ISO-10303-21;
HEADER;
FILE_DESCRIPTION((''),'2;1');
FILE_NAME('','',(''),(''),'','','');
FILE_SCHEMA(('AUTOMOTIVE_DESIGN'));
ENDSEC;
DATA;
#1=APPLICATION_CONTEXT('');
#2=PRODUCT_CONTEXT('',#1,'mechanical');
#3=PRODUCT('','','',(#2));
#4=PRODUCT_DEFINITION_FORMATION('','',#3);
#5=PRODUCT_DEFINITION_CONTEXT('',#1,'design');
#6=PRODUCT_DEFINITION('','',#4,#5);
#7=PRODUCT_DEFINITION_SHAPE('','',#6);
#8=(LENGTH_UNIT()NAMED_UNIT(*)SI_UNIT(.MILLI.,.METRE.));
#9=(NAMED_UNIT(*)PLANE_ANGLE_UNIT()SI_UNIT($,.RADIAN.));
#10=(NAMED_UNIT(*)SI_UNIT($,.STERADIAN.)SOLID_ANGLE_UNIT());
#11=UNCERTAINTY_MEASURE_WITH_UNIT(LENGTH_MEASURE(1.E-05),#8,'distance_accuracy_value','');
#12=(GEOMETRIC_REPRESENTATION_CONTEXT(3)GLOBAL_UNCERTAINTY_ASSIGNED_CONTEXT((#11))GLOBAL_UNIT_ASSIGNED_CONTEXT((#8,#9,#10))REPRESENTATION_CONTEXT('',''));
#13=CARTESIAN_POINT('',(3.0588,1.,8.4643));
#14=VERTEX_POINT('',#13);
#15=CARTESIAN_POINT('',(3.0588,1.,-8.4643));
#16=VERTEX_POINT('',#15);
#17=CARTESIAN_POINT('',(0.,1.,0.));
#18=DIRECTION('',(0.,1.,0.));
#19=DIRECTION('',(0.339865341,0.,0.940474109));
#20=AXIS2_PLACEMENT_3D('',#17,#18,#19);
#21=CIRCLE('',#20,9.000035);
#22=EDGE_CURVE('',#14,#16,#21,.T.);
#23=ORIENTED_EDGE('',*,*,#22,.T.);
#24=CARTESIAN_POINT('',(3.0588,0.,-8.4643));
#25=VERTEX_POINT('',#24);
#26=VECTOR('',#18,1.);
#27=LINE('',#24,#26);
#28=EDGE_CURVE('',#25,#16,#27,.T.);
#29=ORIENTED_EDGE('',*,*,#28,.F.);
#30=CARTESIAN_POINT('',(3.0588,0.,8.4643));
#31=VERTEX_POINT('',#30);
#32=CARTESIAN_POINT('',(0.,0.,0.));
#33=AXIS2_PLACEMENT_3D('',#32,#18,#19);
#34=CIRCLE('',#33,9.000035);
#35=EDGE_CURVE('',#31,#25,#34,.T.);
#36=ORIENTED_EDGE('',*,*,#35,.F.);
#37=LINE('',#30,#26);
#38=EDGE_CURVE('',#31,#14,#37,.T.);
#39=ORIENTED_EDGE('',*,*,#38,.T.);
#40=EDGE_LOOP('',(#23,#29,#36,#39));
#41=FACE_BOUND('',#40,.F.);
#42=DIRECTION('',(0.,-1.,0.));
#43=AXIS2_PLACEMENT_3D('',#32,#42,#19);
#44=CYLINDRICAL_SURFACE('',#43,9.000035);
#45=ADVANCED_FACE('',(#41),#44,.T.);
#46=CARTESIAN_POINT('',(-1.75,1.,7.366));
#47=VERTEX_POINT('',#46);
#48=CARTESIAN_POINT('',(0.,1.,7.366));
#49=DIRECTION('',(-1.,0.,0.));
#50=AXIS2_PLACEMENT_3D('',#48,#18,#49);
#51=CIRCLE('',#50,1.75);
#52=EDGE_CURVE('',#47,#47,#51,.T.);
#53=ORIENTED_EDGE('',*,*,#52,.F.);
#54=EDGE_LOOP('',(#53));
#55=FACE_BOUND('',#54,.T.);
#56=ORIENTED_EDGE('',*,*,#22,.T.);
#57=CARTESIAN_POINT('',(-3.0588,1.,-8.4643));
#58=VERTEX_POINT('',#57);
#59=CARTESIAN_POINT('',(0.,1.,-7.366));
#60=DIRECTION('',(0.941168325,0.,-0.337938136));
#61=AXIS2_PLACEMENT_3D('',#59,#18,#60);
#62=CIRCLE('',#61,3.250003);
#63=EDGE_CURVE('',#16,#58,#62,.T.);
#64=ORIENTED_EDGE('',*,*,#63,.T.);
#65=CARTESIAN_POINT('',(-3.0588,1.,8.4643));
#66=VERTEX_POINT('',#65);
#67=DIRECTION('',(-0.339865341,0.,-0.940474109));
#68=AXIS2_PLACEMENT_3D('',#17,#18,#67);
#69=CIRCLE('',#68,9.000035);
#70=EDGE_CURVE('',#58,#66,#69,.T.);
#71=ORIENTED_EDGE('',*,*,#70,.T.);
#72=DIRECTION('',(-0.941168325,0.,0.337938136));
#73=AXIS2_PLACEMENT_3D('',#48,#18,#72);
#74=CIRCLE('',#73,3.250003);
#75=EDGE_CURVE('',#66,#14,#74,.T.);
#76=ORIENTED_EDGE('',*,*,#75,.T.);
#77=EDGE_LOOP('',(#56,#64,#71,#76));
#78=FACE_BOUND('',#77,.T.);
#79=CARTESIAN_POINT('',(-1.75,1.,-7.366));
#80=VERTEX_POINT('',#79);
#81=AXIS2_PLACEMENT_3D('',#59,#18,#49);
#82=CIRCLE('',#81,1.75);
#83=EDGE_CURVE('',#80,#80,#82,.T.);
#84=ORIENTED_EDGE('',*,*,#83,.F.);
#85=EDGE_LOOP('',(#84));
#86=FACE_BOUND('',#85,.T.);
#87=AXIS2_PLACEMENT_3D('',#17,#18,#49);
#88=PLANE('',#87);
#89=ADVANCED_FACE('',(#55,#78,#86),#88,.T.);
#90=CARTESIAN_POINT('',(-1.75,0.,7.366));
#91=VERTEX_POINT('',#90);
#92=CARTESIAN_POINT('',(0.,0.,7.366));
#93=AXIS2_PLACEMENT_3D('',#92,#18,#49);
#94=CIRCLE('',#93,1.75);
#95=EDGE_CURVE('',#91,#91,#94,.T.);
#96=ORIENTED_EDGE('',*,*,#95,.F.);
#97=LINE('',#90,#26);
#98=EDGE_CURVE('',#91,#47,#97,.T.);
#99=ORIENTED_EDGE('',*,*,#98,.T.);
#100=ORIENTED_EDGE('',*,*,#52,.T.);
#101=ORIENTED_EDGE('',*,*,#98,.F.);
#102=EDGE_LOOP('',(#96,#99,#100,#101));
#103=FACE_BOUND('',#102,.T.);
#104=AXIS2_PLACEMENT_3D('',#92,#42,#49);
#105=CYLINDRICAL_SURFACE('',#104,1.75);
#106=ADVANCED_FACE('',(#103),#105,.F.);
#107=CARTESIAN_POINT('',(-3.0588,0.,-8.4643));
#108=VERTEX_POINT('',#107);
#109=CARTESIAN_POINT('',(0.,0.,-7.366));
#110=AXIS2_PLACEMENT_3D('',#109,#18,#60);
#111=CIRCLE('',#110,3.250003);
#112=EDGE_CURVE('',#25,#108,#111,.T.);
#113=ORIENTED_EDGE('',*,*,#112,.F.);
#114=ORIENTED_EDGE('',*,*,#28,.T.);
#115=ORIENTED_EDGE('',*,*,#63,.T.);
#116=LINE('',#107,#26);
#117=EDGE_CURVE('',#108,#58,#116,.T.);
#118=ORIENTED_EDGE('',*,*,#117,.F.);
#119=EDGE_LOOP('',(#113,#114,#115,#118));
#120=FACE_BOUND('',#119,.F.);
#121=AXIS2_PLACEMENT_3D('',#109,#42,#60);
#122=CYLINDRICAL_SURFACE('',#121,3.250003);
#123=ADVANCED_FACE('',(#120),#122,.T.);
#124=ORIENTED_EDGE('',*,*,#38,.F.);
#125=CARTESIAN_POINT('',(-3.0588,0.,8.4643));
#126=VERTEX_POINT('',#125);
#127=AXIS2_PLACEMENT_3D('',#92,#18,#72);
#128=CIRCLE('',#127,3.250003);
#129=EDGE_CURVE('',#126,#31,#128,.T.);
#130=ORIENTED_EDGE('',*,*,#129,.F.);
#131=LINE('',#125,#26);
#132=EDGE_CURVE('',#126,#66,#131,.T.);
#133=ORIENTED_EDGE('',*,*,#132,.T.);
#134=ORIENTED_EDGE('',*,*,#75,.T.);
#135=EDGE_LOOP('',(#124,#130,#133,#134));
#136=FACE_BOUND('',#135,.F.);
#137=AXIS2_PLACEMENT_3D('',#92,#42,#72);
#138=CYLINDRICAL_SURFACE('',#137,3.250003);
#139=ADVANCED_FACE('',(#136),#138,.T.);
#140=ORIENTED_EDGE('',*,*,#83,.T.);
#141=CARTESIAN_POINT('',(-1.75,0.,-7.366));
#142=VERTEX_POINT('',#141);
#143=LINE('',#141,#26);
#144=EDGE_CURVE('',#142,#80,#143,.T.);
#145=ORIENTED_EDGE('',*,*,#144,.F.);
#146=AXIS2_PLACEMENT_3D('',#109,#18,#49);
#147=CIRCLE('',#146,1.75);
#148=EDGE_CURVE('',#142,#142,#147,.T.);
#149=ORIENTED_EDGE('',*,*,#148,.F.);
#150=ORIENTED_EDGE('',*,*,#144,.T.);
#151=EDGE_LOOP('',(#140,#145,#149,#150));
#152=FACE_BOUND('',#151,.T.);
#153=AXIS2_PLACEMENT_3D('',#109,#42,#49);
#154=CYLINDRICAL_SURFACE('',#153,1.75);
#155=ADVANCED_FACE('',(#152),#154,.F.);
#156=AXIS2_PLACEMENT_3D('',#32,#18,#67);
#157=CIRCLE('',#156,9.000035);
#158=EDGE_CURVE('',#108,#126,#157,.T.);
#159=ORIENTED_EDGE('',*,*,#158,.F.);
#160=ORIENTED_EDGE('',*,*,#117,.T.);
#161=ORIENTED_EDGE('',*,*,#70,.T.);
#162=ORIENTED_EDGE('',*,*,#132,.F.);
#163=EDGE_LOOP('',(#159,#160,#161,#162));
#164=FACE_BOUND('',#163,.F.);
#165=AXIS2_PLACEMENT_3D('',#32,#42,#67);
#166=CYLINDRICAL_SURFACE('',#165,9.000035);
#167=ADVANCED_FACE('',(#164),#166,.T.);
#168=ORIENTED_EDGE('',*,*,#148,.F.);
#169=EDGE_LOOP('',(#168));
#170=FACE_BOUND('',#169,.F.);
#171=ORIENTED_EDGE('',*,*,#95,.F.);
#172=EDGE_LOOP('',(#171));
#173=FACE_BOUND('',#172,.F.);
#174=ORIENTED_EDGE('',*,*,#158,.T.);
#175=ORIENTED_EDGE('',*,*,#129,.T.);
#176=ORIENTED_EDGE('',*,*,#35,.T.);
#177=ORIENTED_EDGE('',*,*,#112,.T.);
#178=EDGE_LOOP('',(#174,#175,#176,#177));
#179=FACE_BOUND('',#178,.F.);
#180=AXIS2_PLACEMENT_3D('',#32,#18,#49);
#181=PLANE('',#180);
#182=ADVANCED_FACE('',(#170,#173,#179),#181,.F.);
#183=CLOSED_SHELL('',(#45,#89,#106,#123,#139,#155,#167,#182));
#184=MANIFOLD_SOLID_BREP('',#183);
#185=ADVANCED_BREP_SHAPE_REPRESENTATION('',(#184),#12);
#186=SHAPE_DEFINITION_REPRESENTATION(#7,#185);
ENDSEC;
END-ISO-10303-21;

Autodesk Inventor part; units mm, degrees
ref_plane "YZ Plane" through (0, 0, 0) normal (1, 0, 0) x (0, 1, 0)
ref_plane "XZ Plane" through (0, 0, 0) normal (0, 1, 0) x (-1, 0, 0)
ref_plane "XY Plane" through (0, 0, 0) normal (0, 0, 1) x (1, 0, 0)
sketch "Sketch1" plane through (0, 0, 0) normal (0, 1, 0) x (-1, 0, 0)
  circle A0 centre (0, 7.366) radius 1.75
  circle A1 centre (0, -7.366) radius 1.75
  arc A2 (3.0588, -8.4643) -> (3.0588, 8.4643) centre (0, 0) ccw
  arc A3 (-3.0588, 8.4643) -> (-3.0588, -8.4643) centre (0, 0) ccw
  arc A4 (3.0588, 8.4643) -> (-3.0588, 8.4643) centre (0, 7.366) ccw
  arc A5 (-3.0588, -8.4643) -> (3.0588, -8.4643) centre (0, -7.366) ccw
  point P0 (9, 0)
extrude "Extrusion1" add sketch "Sketch1" along normal blind 1
properties part number "Ball Caster Spacer"
